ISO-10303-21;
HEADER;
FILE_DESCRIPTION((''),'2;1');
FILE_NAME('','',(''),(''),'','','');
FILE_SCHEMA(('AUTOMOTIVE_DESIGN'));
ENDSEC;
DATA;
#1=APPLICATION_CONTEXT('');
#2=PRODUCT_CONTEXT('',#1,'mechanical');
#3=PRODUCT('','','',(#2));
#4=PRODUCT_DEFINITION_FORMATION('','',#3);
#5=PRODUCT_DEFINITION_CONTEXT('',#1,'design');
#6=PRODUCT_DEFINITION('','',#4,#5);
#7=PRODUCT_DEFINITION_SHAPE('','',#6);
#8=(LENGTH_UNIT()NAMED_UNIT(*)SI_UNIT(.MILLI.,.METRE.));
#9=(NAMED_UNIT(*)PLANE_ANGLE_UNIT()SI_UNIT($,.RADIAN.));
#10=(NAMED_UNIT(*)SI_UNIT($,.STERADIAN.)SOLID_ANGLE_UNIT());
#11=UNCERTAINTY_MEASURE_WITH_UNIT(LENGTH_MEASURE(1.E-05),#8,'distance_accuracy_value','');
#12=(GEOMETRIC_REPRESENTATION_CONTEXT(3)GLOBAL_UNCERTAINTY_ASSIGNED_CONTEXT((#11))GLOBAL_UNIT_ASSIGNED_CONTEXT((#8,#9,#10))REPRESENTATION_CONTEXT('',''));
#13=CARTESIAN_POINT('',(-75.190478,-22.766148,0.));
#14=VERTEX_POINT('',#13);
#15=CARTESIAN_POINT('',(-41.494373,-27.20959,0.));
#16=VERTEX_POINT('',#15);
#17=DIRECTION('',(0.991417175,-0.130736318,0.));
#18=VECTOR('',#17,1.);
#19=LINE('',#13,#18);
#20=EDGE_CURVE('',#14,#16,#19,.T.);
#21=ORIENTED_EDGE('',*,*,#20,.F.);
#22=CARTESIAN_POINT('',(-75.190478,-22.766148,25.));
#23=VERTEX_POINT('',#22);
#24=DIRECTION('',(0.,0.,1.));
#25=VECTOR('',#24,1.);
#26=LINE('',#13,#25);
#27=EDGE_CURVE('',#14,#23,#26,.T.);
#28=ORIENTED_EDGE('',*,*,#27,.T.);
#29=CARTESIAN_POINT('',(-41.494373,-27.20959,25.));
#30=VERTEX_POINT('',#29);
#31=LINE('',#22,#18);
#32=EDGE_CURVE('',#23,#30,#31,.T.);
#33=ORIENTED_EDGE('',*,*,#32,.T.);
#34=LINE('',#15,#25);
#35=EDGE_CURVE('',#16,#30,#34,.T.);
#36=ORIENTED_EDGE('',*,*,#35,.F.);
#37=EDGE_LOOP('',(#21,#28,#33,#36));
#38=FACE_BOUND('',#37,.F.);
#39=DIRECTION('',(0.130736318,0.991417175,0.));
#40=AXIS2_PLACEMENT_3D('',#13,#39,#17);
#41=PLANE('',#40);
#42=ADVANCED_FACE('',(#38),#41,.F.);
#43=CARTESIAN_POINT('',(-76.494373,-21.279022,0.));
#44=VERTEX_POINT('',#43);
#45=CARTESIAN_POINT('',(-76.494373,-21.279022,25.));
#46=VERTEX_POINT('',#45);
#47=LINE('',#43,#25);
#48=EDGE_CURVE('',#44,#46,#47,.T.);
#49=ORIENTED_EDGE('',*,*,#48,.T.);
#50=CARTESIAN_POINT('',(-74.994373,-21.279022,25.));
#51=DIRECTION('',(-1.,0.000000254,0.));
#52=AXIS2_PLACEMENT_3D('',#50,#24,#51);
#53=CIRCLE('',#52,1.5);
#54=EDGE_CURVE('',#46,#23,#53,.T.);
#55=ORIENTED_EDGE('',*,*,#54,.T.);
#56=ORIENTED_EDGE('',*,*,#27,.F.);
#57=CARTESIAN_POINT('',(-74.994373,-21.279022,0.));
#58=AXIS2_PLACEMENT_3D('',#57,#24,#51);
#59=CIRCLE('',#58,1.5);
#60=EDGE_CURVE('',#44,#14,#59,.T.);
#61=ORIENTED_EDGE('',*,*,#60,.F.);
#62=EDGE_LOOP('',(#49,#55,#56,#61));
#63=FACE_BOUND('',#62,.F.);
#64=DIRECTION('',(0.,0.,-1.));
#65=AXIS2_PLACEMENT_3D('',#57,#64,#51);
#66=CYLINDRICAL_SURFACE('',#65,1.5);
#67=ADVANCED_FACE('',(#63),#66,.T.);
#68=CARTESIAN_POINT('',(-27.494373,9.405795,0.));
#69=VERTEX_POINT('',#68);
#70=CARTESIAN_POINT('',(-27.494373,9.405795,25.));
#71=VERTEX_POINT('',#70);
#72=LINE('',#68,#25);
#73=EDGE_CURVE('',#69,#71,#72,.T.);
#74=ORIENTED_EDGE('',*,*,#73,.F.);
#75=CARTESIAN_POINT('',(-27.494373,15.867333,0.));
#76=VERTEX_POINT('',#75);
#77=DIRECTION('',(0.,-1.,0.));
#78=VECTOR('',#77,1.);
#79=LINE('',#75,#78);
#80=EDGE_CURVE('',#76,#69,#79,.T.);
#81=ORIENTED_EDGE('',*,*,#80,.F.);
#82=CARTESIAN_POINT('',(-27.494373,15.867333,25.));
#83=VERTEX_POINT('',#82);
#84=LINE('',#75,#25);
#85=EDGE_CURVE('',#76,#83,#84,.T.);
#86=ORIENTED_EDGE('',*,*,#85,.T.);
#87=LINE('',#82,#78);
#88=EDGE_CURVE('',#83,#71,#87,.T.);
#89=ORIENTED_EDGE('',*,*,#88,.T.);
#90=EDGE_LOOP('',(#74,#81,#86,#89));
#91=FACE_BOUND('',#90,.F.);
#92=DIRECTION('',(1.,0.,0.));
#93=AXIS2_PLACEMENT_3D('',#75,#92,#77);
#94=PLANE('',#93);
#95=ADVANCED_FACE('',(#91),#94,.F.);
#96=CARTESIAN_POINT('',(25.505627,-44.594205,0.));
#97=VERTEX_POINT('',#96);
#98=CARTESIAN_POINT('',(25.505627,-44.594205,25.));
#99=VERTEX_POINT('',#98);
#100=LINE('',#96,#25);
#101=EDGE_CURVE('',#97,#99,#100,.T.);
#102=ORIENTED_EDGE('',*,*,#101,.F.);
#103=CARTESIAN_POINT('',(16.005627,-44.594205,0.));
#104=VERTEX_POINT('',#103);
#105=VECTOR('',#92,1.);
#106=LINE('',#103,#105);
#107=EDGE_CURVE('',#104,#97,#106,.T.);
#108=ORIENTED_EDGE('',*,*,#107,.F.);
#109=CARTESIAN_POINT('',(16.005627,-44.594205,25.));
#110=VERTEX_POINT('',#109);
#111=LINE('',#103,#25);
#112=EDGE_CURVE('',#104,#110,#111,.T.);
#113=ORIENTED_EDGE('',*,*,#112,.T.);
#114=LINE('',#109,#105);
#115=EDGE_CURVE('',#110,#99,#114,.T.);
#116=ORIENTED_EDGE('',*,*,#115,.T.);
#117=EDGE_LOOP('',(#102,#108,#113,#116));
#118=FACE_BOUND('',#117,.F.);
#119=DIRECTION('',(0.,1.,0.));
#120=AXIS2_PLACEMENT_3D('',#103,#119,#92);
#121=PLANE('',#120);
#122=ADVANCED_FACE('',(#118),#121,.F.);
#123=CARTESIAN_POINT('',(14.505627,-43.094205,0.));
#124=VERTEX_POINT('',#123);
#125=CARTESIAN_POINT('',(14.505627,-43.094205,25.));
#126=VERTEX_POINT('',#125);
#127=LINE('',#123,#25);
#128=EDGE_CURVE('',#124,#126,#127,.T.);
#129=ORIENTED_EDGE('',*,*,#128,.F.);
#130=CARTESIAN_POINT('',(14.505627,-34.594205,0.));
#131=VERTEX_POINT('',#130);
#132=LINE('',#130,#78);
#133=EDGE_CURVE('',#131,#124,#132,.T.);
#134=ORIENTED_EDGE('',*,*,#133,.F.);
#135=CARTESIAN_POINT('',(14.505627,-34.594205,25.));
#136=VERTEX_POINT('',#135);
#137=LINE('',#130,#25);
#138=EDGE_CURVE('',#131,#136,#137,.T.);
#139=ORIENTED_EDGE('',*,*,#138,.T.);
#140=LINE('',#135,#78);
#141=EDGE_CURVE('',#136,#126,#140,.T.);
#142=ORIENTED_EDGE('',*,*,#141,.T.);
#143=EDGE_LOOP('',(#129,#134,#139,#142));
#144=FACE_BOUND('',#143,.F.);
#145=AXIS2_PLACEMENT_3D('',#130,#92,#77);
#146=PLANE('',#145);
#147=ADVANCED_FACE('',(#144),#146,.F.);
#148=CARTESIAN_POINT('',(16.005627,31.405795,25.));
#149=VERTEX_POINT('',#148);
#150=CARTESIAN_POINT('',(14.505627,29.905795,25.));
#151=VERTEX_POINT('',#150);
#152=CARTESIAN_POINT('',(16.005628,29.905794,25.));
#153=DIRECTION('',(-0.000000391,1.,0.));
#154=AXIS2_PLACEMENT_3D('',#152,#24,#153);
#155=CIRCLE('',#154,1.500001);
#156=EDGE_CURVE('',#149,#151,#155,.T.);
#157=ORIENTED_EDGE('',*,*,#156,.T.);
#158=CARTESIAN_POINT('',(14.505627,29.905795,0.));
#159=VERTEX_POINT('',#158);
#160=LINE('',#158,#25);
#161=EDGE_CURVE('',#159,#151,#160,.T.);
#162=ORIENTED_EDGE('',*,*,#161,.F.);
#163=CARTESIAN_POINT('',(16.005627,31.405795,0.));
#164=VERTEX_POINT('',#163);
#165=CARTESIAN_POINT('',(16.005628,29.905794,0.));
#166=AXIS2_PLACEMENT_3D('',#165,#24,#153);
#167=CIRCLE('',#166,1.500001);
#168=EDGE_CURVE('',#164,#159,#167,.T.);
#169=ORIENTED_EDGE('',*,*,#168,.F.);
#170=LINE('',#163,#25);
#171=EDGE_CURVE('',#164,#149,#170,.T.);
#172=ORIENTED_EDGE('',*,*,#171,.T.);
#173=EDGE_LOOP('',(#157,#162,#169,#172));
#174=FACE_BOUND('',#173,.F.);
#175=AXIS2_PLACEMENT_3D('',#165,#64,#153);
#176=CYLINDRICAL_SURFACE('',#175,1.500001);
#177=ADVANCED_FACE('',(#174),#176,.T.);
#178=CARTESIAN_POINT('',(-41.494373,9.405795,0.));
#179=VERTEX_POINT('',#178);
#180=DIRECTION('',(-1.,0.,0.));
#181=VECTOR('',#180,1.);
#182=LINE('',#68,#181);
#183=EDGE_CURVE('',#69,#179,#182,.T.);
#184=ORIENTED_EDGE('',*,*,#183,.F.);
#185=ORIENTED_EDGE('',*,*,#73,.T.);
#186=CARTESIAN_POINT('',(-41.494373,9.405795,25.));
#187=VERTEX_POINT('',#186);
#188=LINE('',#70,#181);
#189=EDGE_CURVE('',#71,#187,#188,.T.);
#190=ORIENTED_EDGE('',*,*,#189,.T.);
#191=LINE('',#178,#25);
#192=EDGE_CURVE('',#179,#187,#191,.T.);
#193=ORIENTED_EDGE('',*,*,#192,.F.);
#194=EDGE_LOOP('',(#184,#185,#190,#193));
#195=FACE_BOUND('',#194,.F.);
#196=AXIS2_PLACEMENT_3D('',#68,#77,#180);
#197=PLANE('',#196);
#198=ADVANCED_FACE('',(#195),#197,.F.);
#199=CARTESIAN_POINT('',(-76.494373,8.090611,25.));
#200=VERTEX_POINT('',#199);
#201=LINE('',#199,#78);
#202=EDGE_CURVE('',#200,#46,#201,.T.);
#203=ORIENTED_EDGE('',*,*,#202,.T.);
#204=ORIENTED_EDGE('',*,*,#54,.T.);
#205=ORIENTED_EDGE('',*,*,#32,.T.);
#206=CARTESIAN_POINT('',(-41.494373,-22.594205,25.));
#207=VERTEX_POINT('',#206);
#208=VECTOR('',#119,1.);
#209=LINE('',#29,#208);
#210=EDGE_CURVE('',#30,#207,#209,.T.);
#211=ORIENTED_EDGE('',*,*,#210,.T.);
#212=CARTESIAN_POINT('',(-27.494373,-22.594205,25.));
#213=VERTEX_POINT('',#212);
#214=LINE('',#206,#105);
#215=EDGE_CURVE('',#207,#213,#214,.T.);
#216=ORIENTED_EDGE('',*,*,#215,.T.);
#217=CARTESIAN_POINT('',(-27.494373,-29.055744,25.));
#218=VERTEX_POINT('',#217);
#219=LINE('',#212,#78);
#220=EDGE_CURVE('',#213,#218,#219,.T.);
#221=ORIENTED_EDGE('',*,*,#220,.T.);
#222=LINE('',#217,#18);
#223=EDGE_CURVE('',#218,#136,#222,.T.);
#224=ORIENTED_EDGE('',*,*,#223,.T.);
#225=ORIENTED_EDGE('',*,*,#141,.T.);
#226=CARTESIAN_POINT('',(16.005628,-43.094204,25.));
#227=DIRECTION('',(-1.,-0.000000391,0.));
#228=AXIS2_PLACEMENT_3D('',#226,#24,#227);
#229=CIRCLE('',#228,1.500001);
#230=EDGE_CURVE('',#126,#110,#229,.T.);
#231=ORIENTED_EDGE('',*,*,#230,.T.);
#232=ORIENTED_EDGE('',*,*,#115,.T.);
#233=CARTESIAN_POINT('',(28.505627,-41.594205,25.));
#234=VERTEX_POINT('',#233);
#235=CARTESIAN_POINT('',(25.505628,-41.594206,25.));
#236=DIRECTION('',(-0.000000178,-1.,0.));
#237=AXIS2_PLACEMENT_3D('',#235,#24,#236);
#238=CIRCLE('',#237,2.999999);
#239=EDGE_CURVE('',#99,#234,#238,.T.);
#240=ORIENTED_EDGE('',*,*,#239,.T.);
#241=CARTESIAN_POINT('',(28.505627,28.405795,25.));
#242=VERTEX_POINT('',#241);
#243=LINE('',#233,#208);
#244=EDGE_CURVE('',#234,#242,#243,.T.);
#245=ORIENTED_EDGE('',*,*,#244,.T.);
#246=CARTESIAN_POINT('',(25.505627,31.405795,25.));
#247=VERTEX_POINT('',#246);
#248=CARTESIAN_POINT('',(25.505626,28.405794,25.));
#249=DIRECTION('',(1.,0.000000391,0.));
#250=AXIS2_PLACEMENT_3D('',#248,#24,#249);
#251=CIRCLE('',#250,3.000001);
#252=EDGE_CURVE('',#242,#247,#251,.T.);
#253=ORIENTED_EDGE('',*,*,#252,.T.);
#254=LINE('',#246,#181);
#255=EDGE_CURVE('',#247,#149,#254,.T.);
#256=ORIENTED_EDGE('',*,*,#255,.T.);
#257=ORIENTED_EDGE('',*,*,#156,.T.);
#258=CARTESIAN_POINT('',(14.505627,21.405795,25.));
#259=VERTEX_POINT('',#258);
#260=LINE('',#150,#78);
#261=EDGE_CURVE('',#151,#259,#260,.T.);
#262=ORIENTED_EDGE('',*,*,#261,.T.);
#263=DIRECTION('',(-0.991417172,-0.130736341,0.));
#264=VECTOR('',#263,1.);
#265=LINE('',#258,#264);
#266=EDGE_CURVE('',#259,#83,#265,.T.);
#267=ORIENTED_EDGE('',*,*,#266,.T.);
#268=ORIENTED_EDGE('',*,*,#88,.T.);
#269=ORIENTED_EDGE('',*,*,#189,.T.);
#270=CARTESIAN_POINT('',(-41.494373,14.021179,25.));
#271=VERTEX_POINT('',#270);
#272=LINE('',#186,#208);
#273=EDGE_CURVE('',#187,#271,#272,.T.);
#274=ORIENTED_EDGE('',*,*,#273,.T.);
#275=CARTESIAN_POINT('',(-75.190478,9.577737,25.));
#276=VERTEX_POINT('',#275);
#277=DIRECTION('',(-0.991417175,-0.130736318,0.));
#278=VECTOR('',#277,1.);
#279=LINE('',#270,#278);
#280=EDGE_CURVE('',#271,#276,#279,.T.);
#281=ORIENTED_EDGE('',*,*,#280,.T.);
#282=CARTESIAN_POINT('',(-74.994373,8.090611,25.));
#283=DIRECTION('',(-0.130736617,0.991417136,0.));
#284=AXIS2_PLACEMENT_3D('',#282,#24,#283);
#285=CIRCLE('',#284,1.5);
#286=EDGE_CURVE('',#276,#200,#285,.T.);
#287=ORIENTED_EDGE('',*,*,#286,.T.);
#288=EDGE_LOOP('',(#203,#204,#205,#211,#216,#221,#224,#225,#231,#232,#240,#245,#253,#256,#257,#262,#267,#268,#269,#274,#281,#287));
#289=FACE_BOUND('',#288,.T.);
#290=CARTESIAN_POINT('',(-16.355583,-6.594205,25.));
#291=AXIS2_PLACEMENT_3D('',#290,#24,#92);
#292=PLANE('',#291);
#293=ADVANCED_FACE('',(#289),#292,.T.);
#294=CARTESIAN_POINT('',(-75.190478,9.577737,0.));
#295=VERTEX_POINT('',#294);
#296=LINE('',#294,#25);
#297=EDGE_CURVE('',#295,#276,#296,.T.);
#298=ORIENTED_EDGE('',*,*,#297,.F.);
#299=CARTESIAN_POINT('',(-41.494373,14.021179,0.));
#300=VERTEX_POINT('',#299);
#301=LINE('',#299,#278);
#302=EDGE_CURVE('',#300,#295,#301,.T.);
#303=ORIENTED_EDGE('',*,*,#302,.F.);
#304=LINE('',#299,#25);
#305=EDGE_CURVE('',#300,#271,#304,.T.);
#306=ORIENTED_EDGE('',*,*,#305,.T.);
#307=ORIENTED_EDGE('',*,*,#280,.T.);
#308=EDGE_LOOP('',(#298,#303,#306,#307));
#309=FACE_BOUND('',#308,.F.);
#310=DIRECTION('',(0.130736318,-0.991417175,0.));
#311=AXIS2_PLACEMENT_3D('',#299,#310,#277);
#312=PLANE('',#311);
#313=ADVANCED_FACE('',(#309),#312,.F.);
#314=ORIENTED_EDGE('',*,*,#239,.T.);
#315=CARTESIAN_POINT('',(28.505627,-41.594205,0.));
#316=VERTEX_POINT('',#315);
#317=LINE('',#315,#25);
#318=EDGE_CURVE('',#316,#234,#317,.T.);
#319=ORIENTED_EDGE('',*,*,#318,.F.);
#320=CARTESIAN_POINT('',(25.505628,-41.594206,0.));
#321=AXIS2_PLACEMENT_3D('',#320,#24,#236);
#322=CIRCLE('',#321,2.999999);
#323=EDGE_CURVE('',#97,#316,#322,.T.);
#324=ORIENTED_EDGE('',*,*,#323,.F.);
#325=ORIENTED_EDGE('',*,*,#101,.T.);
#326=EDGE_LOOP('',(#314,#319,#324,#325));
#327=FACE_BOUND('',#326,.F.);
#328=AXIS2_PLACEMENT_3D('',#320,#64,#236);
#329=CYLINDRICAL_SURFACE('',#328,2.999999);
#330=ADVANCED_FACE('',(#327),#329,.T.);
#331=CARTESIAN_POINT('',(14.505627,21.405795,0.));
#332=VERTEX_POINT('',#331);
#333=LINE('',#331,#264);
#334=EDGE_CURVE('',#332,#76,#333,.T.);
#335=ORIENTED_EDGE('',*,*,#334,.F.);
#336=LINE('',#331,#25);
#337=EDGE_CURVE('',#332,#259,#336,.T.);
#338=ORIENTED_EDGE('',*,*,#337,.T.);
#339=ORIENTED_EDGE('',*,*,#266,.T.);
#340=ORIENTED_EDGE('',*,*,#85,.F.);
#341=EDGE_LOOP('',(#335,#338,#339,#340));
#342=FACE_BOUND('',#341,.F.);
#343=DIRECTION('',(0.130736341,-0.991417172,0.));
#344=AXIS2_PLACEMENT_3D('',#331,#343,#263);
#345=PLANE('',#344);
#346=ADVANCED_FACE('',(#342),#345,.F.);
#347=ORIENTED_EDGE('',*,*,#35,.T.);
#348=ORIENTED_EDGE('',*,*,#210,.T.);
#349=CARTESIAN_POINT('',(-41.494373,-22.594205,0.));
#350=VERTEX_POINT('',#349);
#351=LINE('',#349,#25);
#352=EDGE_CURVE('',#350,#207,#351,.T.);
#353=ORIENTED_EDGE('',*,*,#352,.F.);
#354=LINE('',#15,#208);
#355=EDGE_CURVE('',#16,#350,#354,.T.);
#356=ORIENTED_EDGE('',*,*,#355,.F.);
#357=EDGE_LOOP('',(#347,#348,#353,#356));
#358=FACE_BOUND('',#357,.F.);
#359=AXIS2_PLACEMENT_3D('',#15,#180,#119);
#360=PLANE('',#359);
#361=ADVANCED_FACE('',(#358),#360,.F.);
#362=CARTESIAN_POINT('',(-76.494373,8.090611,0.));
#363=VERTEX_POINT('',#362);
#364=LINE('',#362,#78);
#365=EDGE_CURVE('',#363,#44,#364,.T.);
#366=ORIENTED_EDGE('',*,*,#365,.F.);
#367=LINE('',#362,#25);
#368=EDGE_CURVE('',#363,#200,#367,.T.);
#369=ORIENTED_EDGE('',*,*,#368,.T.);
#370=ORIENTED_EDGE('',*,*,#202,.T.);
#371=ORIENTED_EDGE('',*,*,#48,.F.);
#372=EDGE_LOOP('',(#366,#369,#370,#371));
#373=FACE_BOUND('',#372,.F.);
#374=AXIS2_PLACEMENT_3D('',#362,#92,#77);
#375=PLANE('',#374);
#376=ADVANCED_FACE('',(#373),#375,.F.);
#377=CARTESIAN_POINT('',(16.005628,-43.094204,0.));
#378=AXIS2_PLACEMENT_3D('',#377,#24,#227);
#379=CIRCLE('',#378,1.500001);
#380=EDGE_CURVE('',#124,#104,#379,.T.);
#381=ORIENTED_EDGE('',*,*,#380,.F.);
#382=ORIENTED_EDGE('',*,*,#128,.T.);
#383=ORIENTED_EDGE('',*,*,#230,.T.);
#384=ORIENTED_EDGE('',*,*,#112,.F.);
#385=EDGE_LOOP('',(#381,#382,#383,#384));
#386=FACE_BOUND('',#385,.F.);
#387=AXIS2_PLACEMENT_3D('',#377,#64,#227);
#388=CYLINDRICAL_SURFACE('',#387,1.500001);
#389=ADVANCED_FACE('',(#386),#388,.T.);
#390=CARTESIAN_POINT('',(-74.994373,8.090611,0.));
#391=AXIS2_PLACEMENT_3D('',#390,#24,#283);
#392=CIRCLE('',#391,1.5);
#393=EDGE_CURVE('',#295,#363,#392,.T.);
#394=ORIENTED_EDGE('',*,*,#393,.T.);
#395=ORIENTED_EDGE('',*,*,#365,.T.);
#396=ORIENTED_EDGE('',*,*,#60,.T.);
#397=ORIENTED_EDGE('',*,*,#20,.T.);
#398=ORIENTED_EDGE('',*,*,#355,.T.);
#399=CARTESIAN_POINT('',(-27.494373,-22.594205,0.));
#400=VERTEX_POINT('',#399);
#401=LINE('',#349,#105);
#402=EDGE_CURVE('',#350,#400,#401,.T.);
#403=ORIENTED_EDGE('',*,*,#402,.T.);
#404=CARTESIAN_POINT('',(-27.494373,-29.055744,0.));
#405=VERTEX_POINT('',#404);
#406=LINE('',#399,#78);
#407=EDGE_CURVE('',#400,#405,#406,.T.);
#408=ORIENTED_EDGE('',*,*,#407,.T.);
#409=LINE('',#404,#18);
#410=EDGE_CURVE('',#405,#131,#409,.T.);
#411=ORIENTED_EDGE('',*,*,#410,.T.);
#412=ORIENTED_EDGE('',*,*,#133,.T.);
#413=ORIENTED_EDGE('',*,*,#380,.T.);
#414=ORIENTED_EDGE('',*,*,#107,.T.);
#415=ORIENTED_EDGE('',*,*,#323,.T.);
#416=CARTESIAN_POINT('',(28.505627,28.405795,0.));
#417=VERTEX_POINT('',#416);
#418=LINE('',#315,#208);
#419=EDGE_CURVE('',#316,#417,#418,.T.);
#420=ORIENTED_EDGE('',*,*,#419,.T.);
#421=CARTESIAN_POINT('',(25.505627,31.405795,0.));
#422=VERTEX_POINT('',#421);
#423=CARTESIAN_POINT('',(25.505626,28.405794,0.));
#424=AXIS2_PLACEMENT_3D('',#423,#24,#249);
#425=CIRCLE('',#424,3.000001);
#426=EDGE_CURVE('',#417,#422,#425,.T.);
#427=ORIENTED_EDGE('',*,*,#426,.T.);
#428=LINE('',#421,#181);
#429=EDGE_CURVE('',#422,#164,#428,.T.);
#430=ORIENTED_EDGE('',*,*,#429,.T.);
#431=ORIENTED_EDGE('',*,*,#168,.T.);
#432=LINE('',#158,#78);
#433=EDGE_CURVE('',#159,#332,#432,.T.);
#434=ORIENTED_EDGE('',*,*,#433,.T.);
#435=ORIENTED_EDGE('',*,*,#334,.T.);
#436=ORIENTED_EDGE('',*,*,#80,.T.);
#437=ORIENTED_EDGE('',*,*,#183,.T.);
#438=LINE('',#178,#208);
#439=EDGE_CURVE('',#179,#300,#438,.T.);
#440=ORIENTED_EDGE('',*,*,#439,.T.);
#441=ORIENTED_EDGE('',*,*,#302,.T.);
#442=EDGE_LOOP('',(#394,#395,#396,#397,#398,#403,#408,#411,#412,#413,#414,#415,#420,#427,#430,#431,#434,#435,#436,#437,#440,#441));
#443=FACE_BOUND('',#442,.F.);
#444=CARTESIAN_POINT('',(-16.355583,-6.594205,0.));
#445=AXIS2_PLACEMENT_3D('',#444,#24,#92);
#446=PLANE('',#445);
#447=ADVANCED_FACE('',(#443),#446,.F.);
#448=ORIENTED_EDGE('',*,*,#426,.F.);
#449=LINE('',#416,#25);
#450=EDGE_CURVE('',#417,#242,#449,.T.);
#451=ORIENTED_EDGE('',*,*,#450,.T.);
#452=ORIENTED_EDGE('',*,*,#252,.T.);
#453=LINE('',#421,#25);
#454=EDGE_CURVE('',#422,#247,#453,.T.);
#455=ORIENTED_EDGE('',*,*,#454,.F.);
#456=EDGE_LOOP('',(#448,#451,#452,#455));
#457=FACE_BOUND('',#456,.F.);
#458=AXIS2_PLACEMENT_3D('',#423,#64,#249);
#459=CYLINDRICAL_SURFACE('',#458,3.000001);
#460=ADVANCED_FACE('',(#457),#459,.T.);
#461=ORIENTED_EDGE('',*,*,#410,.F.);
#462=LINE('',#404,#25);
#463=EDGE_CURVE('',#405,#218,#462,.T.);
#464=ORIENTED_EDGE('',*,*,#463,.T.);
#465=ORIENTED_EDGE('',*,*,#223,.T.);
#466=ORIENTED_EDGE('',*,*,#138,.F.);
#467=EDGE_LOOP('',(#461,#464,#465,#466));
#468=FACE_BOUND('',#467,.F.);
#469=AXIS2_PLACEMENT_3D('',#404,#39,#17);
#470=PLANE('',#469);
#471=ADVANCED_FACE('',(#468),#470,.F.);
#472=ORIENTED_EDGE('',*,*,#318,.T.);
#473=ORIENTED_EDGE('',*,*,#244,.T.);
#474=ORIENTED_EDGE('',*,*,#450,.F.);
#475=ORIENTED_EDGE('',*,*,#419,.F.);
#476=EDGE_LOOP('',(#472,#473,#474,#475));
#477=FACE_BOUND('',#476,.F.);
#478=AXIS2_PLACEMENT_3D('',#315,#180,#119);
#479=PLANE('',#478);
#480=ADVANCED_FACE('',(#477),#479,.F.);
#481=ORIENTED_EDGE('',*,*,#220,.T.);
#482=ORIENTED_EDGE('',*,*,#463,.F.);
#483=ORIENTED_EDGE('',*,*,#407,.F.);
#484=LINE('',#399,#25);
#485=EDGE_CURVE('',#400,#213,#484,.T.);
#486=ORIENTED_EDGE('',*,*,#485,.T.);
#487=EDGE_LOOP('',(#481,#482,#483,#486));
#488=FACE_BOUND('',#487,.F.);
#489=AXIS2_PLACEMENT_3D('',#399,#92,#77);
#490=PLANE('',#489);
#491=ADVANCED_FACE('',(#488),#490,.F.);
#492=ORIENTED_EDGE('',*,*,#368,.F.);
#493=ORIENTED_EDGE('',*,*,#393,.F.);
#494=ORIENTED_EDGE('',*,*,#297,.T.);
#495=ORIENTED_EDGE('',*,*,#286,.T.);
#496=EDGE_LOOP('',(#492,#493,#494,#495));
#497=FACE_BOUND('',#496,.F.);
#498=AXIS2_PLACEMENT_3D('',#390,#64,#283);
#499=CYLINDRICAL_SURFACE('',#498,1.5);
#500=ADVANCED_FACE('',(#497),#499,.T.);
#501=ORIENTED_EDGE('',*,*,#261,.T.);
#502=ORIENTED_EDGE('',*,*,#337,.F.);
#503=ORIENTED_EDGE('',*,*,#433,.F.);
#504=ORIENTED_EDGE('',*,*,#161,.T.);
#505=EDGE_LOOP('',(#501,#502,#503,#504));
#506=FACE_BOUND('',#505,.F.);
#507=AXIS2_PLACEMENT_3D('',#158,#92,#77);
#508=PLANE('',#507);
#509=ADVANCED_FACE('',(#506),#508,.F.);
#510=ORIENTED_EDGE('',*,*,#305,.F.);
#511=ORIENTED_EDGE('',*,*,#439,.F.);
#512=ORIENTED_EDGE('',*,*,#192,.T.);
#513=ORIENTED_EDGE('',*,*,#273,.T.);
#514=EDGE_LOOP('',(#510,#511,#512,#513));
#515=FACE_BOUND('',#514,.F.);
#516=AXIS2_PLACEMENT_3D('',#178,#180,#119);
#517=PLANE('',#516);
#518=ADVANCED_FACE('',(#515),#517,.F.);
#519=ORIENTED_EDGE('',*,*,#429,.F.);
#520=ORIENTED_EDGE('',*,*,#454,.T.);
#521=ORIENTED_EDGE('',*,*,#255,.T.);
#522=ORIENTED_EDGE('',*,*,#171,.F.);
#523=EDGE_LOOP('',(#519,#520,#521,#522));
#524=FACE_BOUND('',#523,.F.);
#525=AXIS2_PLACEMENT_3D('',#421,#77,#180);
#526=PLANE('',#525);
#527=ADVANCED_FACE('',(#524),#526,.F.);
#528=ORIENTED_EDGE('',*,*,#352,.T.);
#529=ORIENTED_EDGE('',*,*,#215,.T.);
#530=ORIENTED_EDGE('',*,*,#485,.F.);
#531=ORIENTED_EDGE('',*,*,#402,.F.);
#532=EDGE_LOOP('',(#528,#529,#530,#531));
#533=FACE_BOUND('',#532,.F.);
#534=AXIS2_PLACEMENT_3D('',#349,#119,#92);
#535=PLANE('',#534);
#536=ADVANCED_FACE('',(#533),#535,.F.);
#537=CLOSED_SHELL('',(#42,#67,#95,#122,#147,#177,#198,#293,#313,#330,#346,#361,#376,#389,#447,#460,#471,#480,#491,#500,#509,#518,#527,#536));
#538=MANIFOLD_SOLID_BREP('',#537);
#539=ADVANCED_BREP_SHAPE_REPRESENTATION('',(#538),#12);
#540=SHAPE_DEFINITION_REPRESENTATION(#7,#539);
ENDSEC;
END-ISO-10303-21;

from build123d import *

# Parameters (mm, degrees)
F1_DEPTH = 25


with BuildPart() as f1:
    # F0 (on Top) → F1 (new body)
    with BuildSketch(Plane.XY):
        with BuildLine():
            Line((28.505627, -41.594205), (28.505627, 28.405795))
            ThreePointArc((28.505627, 28.405795), (27.626947, 30.527115), (25.505627, 31.405795))
            Line((25.505627, 31.405795), (16.005627, 31.405795))
            ThreePointArc((16.005627, 31.405795), (14.944967, 30.966455), (14.505627, 29.905795))
            Line((14.505627, 29.905795), (14.505627, 21.405795))
            Line((14.505627, 21.405795), (-27.494373, 15.867333))
            Line((-27.494373, 15.867333), (-27.494373, 9.405795))
            Line((-27.494373, 9.405795), (-41.494373, 9.405795))
            Line((-41.494373, 9.405795), (-41.494373, 14.021179))
            Line((-41.494373, 14.021179), (-75.190478, 9.577737))
            ThreePointArc((-75.190478, 9.577737), (-76.122238, 9.07951), (-76.494373, 8.090611))
            Line((-76.494373, 8.090611), (-76.494373, -21.279022))
            ThreePointArc((-76.494373, -21.279022), (-76.122238, -22.267921), (-75.190478, -22.766148))
            Line((-75.190478, -22.766148), (-41.494373, -27.20959))
            Line((-41.494373, -27.20959), (-41.494373, -22.594205))
            Line((-41.494373, -22.594205), (-27.494373, -22.594205))
            Line((-27.494373, -22.594205), (-27.494373, -29.055744))
            Line((-27.494373, -29.055744), (14.505627, -34.594205))
            Line((14.505627, -34.594205), (14.505627, -43.094205))
            ThreePointArc((14.505627, -43.094205), (14.944967, -44.154865), (16.005627, -44.594205))
            Line((16.005627, -44.594205), (25.505627, -44.594205))
            ThreePointArc((25.505627, -44.594205), (27.626947, -43.715526), (28.505627, -41.594205))
        make_face()
    extrude(amount=F1_DEPTH)


solid = f1.part
